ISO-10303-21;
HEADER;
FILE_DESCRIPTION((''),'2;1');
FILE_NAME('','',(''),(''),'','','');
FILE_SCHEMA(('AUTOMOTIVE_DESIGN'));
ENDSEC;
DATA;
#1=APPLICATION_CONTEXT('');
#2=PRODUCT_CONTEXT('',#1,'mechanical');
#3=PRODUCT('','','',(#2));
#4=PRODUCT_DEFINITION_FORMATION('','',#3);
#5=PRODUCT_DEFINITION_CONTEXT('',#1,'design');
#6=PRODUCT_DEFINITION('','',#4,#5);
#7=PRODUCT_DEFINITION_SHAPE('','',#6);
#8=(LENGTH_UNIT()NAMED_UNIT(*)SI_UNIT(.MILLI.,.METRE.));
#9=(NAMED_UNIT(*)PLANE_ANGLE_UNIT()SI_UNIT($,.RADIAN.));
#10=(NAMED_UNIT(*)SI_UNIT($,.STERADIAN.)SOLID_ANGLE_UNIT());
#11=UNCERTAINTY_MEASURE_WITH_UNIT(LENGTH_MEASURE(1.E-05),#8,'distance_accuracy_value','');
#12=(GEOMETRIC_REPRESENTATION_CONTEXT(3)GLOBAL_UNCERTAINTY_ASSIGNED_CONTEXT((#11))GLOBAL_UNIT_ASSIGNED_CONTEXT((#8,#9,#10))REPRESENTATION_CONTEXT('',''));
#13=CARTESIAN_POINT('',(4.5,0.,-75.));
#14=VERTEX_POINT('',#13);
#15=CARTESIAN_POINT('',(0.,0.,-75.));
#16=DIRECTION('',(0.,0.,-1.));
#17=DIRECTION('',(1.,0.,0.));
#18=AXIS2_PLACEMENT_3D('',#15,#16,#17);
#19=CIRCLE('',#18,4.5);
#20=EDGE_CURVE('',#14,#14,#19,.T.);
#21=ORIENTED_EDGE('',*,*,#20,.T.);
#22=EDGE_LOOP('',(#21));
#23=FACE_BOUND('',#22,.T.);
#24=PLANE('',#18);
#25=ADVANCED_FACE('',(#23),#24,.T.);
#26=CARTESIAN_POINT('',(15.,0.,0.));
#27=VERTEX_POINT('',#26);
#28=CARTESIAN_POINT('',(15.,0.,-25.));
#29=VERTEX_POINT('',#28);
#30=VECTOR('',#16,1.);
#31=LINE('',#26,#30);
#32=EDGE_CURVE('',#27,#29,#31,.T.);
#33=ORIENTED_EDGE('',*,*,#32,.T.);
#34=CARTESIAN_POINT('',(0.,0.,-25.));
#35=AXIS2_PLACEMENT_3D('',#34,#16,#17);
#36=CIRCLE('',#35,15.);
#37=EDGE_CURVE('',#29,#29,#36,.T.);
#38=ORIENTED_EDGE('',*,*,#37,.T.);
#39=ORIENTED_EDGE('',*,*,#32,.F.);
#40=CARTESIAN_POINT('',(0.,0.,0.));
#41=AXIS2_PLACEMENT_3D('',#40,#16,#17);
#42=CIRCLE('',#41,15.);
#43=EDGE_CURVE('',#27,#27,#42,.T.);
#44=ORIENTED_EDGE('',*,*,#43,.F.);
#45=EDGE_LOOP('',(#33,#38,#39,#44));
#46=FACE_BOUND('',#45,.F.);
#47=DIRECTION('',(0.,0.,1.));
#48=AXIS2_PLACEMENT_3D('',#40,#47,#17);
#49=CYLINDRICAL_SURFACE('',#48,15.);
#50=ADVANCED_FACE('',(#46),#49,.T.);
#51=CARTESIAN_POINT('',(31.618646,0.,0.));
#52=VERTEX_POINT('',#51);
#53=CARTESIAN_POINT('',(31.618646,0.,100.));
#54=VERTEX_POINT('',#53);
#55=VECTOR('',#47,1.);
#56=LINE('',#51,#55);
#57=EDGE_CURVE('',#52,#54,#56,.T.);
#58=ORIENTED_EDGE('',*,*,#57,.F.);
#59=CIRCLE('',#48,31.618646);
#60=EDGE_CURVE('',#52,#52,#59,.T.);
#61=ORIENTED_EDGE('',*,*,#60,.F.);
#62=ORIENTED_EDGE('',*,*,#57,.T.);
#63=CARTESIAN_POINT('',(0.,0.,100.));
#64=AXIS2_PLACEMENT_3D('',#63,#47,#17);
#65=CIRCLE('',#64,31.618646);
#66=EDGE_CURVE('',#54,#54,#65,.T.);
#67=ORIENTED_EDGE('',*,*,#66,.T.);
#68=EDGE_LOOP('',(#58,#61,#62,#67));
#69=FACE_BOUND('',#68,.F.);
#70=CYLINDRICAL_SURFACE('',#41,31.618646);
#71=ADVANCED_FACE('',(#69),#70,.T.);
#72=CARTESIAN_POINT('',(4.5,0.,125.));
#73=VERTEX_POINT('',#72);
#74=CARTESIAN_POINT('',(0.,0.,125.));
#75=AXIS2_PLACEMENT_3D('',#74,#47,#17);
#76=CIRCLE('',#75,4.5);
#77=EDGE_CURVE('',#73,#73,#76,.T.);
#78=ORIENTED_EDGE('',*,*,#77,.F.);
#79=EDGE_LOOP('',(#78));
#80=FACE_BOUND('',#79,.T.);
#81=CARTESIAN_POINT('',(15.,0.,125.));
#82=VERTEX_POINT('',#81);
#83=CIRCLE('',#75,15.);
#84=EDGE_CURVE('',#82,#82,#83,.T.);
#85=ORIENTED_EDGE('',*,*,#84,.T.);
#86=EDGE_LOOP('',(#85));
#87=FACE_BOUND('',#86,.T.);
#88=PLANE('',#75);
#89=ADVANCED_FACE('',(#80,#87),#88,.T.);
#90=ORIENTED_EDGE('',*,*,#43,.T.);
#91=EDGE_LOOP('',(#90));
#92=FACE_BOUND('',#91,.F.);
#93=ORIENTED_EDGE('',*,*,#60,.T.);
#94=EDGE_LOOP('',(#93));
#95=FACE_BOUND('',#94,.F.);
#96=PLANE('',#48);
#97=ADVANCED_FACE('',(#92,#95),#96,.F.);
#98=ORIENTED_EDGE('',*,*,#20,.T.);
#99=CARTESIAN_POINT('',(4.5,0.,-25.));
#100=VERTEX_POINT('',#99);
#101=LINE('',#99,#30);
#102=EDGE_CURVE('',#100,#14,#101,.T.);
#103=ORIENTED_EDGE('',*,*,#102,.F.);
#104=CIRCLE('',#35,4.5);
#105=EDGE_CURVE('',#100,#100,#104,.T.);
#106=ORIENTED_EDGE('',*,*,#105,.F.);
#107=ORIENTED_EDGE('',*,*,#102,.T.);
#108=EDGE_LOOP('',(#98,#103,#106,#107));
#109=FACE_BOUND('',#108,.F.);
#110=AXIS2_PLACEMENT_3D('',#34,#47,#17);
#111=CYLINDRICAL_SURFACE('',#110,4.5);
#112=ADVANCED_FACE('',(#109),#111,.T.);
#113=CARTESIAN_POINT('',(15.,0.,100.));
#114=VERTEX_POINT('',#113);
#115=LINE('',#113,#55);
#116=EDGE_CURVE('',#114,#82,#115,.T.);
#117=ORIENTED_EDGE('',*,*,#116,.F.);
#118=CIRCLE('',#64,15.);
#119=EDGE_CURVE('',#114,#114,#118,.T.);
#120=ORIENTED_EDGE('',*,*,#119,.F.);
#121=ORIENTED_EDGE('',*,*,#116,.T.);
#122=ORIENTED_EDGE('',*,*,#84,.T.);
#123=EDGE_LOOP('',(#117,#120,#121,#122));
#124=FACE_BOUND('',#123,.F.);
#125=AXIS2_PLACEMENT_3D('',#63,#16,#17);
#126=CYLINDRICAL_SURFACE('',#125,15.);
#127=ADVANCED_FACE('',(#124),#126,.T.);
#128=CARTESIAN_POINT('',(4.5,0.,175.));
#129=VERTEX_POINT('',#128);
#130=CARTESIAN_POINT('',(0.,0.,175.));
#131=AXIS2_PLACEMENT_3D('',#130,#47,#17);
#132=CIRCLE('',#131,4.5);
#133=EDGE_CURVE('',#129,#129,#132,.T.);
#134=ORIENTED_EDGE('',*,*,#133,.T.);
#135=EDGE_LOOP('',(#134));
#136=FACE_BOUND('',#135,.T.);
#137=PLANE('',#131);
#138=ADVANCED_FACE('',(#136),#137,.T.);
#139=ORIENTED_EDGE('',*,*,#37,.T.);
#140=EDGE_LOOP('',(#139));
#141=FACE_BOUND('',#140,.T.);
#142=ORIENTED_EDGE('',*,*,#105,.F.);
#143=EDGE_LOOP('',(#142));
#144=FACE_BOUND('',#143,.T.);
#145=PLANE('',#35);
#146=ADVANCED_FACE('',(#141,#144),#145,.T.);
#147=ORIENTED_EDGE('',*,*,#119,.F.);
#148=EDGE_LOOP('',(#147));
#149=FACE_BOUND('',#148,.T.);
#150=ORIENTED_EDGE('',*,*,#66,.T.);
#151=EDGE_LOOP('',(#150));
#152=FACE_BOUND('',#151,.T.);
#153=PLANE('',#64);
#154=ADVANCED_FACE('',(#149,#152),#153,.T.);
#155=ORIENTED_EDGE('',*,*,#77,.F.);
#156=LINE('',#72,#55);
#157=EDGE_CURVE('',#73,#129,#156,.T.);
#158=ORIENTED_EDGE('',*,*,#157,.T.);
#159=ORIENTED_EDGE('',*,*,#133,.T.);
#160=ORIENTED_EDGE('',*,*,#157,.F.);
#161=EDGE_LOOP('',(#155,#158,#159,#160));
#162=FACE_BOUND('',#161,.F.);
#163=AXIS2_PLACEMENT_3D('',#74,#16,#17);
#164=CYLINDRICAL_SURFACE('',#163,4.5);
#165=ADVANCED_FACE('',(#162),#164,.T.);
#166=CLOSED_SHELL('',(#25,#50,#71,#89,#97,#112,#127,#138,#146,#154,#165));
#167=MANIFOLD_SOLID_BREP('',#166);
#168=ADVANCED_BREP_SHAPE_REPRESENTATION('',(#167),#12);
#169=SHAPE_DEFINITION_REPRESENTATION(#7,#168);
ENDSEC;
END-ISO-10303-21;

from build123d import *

# Parameters (mm, degrees)
F0_R     = 31.618646
F1_DEPTH = 100
F2_R     = 15
F3_DEPTH = 25
F4_R     = 4.5
F5_DEPTH = 50
F6_R     = 15
F7_DEPTH = 25
F8_R     = 4.5
F9_DEPTH = 50


with BuildPart() as f1:
    # F0 (on Top) → F1 (new body)
    with BuildSketch(Plane.XY):
        Circle(F0_R)
    extrude(amount=F1_DEPTH)

    # F2 (on face) → F3 (join)
    with BuildSketch(Plane(origin=(0, 0, 0), x_dir=(1, 0, 0), z_dir=(0, 0, -1))):
        Circle(F2_R)
    extrude(amount=F3_DEPTH)

    # F4 (on face) → F5 (join)
    with BuildSketch(Plane(origin=(0, 0, -25), x_dir=(1, 0, 0), z_dir=(0, 0, -1))):
        Circle(F4_R)
    extrude(amount=F5_DEPTH)

    # F6 (on face) → F7 (join)
    with BuildSketch(Plane.XY.offset(100)):
        Circle(F6_R)
    extrude(amount=F7_DEPTH)

    # F8 (on face) → F9 (join)
    with BuildSketch(Plane.XY.offset(125)):
        Circle(F8_R)
    extrude(amount=F9_DEPTH)


solid = f1.part
